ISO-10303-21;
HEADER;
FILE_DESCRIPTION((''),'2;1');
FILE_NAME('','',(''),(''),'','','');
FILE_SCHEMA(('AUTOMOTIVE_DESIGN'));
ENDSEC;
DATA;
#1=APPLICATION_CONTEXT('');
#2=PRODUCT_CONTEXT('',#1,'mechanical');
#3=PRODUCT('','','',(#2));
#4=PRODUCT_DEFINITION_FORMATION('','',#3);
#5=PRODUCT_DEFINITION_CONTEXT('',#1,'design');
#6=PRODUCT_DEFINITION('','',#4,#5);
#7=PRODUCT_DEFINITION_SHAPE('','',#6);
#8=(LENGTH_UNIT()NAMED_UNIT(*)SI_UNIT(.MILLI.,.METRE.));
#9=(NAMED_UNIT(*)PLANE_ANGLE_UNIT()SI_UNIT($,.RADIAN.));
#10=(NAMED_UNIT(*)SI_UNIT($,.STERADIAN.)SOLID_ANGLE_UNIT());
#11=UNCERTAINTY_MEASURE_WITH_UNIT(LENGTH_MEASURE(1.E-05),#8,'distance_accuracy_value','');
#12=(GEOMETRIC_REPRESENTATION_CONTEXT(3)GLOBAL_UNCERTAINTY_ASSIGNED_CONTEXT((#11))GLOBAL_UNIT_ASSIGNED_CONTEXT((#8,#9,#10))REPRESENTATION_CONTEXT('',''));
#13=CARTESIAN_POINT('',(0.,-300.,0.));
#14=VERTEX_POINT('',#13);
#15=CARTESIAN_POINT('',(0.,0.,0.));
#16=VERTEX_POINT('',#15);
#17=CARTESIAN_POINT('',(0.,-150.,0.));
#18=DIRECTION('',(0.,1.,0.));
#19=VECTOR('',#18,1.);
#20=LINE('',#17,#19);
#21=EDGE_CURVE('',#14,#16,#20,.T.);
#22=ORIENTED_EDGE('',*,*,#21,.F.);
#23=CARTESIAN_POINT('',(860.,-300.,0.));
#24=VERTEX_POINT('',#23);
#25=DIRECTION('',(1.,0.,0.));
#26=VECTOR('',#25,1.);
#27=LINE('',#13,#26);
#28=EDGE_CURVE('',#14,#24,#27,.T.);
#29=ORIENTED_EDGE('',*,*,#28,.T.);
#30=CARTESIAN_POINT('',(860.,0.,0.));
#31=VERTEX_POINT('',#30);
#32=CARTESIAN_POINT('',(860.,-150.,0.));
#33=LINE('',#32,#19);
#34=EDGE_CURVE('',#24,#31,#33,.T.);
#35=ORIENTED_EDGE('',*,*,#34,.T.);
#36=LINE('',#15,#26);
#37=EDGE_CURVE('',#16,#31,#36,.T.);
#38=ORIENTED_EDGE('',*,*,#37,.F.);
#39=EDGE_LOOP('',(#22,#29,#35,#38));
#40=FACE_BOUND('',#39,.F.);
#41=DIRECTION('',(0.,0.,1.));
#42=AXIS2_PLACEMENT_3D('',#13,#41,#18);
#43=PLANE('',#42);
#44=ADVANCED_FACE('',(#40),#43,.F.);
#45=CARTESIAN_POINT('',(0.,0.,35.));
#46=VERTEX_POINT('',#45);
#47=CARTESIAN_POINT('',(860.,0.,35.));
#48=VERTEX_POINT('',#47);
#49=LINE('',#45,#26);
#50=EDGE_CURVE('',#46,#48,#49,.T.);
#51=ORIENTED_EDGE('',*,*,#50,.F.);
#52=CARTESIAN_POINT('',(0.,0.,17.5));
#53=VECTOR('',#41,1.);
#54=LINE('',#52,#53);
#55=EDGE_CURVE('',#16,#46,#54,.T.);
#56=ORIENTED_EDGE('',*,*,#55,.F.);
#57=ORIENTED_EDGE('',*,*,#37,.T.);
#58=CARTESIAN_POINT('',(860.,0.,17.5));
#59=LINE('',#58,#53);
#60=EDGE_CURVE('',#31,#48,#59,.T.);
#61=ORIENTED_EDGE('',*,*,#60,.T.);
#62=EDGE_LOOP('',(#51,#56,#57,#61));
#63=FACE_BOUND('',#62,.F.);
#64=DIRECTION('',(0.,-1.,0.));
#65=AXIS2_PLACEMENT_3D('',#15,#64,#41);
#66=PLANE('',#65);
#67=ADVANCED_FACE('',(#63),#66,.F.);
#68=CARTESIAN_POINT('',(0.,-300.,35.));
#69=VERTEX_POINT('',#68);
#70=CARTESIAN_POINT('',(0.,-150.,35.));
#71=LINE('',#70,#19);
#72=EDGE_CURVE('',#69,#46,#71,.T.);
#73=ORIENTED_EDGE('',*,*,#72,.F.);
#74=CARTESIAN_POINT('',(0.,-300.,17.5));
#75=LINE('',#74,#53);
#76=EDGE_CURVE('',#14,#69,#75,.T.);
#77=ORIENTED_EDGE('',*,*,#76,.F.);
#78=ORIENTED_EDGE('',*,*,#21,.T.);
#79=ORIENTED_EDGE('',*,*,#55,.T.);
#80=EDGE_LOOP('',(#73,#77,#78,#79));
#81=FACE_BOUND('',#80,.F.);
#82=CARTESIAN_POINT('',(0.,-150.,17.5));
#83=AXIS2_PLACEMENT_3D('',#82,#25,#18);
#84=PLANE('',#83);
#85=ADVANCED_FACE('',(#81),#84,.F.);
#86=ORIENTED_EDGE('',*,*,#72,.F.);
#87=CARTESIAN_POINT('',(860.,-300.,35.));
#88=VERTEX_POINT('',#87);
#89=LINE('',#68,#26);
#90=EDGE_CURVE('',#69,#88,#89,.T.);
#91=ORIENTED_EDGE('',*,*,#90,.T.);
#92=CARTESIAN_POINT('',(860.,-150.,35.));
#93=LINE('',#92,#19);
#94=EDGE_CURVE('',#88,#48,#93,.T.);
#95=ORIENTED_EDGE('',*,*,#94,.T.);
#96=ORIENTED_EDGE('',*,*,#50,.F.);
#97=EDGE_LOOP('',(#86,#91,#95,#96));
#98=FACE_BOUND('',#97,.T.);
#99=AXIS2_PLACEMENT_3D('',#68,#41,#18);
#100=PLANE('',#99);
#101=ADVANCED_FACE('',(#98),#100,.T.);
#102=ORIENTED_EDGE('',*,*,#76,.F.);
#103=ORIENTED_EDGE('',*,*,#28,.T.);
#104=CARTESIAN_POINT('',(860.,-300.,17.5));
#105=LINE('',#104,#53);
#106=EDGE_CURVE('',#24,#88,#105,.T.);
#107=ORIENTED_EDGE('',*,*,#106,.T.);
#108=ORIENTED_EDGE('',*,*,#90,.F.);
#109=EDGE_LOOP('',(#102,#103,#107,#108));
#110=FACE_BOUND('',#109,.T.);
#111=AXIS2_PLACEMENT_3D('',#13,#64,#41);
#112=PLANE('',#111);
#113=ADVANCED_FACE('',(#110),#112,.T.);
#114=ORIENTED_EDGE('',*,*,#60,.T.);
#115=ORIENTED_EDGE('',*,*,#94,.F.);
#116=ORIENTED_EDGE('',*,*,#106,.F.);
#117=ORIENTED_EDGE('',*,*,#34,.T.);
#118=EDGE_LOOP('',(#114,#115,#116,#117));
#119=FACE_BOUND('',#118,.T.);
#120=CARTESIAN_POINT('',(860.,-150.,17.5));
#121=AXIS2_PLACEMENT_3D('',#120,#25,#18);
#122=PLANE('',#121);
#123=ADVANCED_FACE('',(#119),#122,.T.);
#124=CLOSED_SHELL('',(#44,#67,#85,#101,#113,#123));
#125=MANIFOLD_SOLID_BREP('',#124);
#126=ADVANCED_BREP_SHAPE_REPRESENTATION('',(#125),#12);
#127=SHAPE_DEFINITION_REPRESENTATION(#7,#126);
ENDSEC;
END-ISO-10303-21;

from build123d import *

# Parameters (mm, degrees)
SKETCH_W  = 300
SKETCH_H  = 35
PAD_DEPTH = 860


with BuildPart() as part:
    # Sketch → Pad (new body)
    with BuildSketch(Plane.YZ):
        with Locations((-150, 17.5)):
            Rectangle(SKETCH_W, SKETCH_H)
    extrude(amount=PAD_DEPTH)


solid = part.part
